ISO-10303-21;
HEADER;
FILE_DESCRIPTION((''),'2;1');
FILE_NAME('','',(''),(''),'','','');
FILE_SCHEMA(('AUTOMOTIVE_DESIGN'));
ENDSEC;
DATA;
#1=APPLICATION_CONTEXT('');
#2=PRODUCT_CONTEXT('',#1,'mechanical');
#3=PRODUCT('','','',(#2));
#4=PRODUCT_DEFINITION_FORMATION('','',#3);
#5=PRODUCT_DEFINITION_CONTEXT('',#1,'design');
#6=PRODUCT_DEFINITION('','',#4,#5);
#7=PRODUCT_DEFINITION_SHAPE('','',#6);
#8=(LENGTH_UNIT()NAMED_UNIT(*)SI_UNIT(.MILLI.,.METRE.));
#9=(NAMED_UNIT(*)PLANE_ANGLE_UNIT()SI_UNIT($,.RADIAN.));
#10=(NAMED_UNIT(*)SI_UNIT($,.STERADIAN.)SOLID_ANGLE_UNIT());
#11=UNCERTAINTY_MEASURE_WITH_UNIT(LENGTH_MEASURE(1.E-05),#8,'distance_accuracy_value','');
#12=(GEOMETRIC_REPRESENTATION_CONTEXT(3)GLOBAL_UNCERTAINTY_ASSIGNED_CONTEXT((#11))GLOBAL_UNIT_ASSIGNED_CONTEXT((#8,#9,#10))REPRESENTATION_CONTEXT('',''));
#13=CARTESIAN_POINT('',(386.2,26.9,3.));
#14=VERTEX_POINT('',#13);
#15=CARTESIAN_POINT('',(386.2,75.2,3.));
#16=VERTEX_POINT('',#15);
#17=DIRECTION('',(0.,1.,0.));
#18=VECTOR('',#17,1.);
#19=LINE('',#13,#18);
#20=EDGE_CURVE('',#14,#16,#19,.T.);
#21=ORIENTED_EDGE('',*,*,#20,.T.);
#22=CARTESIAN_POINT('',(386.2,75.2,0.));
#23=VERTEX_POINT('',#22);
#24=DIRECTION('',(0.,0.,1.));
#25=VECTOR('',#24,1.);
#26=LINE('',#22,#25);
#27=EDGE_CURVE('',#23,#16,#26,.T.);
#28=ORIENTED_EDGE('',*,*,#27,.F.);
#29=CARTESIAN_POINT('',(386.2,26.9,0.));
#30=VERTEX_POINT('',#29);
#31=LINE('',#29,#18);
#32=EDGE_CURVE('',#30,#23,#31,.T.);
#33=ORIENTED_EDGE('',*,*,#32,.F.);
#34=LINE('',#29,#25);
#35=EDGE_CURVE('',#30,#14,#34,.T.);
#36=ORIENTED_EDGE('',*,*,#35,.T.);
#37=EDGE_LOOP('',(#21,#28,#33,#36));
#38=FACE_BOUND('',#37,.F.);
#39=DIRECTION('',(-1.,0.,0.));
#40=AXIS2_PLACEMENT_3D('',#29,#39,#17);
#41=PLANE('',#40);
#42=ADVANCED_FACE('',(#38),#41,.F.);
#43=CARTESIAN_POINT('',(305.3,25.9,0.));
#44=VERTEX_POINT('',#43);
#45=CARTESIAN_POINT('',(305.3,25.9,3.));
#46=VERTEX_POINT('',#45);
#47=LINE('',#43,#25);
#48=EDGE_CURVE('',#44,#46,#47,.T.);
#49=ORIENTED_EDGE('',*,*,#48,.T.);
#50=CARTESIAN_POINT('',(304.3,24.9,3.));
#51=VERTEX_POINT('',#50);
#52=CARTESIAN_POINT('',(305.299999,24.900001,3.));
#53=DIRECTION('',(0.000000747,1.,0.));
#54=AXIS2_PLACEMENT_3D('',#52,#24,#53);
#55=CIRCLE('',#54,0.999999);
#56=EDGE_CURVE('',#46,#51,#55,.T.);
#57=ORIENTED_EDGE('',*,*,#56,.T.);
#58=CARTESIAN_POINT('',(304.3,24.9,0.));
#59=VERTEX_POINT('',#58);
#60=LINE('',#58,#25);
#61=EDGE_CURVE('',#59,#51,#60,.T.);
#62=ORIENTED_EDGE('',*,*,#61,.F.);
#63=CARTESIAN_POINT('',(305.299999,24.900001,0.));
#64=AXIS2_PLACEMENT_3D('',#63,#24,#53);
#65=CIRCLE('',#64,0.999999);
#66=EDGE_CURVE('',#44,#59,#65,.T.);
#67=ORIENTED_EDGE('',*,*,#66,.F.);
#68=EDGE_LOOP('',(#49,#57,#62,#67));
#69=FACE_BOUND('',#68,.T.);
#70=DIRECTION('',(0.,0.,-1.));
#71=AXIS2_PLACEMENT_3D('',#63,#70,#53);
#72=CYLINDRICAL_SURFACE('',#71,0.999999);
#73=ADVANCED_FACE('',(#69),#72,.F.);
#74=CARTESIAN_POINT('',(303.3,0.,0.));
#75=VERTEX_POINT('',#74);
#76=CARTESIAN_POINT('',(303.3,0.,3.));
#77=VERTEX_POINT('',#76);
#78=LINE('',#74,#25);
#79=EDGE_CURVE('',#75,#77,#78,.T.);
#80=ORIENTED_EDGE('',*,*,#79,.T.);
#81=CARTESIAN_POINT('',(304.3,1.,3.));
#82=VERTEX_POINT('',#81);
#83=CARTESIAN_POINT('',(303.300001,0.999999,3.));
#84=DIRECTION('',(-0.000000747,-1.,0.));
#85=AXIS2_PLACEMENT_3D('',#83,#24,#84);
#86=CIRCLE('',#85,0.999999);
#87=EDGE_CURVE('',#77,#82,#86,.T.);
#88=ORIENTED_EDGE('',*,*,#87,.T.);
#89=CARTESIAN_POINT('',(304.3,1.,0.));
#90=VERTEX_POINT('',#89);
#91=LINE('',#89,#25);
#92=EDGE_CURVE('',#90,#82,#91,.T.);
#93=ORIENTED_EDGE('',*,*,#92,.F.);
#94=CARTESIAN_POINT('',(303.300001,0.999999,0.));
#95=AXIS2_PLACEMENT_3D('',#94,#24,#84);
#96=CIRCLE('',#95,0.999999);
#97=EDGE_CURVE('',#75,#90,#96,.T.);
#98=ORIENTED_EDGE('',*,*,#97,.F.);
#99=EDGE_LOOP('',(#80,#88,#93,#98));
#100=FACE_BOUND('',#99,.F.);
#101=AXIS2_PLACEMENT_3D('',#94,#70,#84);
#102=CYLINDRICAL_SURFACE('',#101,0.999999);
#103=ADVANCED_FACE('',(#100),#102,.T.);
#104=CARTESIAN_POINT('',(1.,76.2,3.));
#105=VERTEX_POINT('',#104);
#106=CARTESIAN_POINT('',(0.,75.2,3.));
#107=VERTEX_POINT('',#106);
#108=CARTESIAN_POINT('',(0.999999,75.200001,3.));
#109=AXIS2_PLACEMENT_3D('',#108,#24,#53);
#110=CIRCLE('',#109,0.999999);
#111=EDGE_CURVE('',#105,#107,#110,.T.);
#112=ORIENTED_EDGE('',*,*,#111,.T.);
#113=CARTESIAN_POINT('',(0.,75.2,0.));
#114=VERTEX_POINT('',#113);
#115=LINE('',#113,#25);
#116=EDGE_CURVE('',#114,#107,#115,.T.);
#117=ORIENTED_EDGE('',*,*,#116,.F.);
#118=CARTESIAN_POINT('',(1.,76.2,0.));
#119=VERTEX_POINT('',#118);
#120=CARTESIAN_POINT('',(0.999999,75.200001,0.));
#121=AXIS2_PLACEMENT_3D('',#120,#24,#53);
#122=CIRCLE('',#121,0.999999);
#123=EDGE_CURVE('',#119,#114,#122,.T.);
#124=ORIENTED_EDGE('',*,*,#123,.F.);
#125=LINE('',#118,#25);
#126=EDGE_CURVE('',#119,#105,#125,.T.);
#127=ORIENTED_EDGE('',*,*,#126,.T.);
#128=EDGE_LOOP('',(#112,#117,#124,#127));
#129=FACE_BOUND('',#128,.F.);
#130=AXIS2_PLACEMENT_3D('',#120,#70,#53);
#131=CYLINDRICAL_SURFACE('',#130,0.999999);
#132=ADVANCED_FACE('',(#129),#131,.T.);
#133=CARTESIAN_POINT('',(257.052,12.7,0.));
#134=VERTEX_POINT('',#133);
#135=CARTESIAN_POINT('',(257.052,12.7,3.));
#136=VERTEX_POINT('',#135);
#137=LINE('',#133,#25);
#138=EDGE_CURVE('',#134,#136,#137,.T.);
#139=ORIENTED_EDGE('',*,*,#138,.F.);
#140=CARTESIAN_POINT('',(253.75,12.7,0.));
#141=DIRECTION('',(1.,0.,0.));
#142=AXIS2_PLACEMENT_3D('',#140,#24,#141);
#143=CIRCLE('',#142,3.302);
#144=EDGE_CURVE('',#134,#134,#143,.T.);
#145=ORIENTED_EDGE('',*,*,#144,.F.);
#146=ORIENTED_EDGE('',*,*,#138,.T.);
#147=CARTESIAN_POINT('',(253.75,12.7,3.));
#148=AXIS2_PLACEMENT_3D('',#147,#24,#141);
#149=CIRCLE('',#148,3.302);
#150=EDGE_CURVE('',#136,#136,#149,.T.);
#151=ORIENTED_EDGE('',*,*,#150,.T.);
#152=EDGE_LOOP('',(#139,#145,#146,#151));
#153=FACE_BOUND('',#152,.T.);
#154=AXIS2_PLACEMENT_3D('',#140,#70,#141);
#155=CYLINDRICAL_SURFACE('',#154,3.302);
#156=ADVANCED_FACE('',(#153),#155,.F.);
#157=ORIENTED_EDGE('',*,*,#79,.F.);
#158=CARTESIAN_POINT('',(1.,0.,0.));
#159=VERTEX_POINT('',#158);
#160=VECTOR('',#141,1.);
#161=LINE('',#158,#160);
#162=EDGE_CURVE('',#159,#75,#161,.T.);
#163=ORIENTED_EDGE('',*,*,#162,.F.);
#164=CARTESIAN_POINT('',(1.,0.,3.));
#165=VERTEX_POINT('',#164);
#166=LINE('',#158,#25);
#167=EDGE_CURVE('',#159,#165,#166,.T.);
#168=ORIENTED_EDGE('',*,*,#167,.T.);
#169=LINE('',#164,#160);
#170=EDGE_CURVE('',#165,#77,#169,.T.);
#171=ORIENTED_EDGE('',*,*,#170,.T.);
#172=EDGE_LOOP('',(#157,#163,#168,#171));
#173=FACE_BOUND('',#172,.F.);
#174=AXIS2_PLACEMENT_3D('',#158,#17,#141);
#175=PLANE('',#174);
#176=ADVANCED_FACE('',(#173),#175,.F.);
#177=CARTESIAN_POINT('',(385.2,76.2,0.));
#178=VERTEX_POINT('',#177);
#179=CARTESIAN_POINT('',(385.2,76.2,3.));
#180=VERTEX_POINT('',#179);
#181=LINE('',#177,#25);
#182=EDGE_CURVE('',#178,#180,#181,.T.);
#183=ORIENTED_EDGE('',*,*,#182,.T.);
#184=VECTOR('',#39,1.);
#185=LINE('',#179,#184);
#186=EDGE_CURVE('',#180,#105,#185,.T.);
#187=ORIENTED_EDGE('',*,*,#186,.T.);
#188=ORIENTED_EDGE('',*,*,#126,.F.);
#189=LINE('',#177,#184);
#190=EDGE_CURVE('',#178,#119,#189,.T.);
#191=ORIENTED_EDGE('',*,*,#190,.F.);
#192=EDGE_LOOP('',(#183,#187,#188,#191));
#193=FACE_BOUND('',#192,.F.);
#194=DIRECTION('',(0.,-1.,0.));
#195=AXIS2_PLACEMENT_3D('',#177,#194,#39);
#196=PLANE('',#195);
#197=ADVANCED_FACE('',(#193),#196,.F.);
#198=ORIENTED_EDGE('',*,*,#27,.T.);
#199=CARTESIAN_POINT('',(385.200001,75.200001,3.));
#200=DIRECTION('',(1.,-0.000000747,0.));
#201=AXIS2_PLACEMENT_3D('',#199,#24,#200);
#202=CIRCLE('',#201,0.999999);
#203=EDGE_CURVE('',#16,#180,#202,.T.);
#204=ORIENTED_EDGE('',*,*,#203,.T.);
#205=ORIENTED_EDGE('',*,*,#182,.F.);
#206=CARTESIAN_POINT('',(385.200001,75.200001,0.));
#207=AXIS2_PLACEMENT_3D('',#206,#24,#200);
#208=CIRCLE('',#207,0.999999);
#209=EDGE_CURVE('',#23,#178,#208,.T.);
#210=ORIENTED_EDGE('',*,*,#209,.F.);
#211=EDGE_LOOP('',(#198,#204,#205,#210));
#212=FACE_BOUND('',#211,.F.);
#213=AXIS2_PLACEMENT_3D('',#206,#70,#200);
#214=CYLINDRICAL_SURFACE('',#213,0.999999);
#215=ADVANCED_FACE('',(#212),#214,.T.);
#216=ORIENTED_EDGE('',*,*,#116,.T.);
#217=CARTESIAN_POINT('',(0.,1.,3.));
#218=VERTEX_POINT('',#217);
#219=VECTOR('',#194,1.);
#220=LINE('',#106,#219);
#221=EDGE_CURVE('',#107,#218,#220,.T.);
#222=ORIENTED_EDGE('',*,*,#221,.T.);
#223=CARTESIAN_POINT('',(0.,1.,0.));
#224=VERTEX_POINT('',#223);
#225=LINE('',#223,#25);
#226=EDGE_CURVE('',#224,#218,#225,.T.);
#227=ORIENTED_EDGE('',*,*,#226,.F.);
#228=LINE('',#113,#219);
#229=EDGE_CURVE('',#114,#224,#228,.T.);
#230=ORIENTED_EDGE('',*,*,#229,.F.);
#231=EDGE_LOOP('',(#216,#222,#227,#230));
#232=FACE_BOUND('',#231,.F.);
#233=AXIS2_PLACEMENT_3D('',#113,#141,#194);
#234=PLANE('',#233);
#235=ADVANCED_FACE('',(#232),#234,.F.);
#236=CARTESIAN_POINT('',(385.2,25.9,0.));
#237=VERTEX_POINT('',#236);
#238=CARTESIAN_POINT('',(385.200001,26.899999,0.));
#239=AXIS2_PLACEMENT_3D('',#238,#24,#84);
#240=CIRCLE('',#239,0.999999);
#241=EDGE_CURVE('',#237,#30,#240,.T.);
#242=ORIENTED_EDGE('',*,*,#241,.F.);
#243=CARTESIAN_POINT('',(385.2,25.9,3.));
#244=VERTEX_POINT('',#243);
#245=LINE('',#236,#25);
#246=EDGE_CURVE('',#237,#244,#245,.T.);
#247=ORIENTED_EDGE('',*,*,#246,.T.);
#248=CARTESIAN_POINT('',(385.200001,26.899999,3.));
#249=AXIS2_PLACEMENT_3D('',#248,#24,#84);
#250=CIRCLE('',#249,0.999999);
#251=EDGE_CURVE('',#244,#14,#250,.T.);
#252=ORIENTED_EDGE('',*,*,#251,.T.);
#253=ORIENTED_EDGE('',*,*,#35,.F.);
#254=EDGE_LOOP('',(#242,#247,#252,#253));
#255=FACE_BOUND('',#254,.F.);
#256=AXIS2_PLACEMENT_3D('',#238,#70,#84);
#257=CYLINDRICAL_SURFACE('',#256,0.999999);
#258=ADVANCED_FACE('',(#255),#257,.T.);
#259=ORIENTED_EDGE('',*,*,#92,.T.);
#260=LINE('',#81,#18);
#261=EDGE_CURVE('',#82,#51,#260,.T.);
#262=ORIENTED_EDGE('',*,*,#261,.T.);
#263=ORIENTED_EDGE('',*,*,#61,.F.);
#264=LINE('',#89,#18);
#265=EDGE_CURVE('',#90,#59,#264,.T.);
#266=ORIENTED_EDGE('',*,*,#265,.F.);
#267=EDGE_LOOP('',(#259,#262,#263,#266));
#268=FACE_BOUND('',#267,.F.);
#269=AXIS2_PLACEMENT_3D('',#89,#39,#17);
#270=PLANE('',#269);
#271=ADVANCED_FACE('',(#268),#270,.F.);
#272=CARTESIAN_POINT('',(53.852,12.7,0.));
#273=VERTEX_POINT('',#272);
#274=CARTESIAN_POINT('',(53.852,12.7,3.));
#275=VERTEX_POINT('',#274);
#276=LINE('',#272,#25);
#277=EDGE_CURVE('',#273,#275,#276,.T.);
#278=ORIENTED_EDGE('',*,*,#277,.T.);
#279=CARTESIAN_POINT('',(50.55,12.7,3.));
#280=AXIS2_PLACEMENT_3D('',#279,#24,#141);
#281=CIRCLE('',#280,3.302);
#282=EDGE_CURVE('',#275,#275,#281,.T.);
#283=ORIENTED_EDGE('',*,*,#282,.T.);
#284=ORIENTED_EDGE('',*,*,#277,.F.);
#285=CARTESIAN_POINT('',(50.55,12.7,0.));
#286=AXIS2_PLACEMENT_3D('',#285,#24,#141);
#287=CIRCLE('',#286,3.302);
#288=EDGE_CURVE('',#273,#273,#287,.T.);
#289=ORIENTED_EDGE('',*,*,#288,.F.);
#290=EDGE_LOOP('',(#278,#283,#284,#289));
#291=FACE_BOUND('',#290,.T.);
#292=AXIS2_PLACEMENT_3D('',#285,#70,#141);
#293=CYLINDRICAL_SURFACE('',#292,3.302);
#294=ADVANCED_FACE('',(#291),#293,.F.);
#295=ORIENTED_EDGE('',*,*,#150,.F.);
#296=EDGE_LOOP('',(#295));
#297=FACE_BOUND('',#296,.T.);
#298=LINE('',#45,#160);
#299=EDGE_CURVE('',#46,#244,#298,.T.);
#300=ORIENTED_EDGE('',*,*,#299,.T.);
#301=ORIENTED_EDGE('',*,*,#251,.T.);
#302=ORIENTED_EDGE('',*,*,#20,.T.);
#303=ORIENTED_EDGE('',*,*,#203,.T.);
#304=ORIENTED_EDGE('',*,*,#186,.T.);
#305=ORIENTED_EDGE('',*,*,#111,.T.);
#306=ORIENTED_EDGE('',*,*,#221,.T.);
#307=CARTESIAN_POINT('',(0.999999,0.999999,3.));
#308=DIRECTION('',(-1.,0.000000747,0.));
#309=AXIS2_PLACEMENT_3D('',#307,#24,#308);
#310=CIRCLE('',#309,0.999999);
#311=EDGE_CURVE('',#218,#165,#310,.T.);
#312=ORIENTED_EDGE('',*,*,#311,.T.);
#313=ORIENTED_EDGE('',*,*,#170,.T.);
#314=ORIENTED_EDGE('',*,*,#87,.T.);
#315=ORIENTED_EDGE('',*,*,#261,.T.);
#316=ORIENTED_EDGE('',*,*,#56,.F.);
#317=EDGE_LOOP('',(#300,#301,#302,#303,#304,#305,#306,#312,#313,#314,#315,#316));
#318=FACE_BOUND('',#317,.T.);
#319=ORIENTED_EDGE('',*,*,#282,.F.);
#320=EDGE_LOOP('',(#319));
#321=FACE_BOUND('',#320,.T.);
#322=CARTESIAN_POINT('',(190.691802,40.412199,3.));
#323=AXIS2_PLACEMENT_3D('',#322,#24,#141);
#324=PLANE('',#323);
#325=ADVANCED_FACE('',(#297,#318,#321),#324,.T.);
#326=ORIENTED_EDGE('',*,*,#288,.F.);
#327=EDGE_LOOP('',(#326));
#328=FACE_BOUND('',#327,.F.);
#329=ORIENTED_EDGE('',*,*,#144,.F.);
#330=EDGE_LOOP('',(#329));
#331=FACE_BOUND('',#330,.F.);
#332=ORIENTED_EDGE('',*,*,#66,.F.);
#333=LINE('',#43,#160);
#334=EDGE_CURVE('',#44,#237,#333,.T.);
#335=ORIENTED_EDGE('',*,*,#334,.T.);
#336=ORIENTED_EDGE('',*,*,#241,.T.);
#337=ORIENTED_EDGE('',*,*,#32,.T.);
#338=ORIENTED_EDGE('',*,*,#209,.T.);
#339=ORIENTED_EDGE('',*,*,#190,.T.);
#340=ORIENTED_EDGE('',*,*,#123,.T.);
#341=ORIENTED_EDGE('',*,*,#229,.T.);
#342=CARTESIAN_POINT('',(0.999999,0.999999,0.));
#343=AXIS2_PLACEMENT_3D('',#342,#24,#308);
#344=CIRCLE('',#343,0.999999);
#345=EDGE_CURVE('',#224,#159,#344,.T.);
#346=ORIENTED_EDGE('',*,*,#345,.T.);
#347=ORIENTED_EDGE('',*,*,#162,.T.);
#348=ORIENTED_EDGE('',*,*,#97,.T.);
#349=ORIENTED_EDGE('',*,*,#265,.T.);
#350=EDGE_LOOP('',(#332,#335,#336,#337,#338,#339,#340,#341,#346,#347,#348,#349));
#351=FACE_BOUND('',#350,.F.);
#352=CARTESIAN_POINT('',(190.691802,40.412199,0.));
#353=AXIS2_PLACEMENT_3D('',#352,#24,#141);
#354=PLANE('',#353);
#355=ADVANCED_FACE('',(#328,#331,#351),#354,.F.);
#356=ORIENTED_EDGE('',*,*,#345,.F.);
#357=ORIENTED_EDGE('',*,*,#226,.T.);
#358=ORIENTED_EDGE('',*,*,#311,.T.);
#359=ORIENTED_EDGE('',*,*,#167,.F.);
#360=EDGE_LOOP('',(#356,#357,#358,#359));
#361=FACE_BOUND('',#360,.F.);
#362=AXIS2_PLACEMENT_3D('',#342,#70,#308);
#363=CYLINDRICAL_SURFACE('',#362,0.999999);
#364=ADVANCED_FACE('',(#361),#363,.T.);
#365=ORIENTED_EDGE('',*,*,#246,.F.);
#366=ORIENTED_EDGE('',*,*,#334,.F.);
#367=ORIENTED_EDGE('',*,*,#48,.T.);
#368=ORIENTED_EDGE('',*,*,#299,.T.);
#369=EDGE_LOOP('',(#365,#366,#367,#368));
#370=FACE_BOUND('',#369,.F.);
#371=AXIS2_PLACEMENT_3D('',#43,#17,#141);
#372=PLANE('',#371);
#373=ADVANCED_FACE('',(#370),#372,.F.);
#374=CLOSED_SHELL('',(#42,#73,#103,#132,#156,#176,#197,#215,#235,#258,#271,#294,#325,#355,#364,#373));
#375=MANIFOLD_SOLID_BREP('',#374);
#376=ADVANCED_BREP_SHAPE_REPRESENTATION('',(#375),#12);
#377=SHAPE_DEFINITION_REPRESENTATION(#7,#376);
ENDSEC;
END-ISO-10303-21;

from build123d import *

# Parameters (mm, degrees)
SKETCH_R  = 3.302
PAD_DEPTH = 3


with BuildPart() as part:
    # Sketch → Pad (new body)
    with BuildSketch(Plane.XY):
        with BuildLine():
            Line((0, 75.2), (0, 1))
            ThreePointArc((0, 1), (0.292893, 0.292893), (1, 0))
            Line((1, 0), (303.3, 0))
            ThreePointArc((303.3, 0), (304.007107, 0.292893), (304.3, 1))
            Line((304.3, 1), (304.3, 24.9))
            ThreePointArc((305.3, 25.9), (304.592893, 25.607107), (304.3, 24.9))
            Line((305.3, 25.9), (385.2, 25.9))
            ThreePointArc((385.2, 25.9), (385.907107, 26.192893), (386.2, 26.9))
            Line((386.2, 26.9), (386.2, 75.2))
            ThreePointArc((386.2, 75.2), (385.907107, 75.907107), (385.2, 76.2))
            Line((385.2, 76.2), (1, 76.2))
            ThreePointArc((1, 76.2), (0.292893, 75.907107), (0, 75.2))
        make_face()
        with Locations((50.55, 12.7)):
            Circle(SKETCH_R, mode=Mode.SUBTRACT)
        with Locations((253.75, 12.7)):
            Circle(SKETCH_R, mode=Mode.SUBTRACT)
    extrude(amount=PAD_DEPTH)


solid = part.part
